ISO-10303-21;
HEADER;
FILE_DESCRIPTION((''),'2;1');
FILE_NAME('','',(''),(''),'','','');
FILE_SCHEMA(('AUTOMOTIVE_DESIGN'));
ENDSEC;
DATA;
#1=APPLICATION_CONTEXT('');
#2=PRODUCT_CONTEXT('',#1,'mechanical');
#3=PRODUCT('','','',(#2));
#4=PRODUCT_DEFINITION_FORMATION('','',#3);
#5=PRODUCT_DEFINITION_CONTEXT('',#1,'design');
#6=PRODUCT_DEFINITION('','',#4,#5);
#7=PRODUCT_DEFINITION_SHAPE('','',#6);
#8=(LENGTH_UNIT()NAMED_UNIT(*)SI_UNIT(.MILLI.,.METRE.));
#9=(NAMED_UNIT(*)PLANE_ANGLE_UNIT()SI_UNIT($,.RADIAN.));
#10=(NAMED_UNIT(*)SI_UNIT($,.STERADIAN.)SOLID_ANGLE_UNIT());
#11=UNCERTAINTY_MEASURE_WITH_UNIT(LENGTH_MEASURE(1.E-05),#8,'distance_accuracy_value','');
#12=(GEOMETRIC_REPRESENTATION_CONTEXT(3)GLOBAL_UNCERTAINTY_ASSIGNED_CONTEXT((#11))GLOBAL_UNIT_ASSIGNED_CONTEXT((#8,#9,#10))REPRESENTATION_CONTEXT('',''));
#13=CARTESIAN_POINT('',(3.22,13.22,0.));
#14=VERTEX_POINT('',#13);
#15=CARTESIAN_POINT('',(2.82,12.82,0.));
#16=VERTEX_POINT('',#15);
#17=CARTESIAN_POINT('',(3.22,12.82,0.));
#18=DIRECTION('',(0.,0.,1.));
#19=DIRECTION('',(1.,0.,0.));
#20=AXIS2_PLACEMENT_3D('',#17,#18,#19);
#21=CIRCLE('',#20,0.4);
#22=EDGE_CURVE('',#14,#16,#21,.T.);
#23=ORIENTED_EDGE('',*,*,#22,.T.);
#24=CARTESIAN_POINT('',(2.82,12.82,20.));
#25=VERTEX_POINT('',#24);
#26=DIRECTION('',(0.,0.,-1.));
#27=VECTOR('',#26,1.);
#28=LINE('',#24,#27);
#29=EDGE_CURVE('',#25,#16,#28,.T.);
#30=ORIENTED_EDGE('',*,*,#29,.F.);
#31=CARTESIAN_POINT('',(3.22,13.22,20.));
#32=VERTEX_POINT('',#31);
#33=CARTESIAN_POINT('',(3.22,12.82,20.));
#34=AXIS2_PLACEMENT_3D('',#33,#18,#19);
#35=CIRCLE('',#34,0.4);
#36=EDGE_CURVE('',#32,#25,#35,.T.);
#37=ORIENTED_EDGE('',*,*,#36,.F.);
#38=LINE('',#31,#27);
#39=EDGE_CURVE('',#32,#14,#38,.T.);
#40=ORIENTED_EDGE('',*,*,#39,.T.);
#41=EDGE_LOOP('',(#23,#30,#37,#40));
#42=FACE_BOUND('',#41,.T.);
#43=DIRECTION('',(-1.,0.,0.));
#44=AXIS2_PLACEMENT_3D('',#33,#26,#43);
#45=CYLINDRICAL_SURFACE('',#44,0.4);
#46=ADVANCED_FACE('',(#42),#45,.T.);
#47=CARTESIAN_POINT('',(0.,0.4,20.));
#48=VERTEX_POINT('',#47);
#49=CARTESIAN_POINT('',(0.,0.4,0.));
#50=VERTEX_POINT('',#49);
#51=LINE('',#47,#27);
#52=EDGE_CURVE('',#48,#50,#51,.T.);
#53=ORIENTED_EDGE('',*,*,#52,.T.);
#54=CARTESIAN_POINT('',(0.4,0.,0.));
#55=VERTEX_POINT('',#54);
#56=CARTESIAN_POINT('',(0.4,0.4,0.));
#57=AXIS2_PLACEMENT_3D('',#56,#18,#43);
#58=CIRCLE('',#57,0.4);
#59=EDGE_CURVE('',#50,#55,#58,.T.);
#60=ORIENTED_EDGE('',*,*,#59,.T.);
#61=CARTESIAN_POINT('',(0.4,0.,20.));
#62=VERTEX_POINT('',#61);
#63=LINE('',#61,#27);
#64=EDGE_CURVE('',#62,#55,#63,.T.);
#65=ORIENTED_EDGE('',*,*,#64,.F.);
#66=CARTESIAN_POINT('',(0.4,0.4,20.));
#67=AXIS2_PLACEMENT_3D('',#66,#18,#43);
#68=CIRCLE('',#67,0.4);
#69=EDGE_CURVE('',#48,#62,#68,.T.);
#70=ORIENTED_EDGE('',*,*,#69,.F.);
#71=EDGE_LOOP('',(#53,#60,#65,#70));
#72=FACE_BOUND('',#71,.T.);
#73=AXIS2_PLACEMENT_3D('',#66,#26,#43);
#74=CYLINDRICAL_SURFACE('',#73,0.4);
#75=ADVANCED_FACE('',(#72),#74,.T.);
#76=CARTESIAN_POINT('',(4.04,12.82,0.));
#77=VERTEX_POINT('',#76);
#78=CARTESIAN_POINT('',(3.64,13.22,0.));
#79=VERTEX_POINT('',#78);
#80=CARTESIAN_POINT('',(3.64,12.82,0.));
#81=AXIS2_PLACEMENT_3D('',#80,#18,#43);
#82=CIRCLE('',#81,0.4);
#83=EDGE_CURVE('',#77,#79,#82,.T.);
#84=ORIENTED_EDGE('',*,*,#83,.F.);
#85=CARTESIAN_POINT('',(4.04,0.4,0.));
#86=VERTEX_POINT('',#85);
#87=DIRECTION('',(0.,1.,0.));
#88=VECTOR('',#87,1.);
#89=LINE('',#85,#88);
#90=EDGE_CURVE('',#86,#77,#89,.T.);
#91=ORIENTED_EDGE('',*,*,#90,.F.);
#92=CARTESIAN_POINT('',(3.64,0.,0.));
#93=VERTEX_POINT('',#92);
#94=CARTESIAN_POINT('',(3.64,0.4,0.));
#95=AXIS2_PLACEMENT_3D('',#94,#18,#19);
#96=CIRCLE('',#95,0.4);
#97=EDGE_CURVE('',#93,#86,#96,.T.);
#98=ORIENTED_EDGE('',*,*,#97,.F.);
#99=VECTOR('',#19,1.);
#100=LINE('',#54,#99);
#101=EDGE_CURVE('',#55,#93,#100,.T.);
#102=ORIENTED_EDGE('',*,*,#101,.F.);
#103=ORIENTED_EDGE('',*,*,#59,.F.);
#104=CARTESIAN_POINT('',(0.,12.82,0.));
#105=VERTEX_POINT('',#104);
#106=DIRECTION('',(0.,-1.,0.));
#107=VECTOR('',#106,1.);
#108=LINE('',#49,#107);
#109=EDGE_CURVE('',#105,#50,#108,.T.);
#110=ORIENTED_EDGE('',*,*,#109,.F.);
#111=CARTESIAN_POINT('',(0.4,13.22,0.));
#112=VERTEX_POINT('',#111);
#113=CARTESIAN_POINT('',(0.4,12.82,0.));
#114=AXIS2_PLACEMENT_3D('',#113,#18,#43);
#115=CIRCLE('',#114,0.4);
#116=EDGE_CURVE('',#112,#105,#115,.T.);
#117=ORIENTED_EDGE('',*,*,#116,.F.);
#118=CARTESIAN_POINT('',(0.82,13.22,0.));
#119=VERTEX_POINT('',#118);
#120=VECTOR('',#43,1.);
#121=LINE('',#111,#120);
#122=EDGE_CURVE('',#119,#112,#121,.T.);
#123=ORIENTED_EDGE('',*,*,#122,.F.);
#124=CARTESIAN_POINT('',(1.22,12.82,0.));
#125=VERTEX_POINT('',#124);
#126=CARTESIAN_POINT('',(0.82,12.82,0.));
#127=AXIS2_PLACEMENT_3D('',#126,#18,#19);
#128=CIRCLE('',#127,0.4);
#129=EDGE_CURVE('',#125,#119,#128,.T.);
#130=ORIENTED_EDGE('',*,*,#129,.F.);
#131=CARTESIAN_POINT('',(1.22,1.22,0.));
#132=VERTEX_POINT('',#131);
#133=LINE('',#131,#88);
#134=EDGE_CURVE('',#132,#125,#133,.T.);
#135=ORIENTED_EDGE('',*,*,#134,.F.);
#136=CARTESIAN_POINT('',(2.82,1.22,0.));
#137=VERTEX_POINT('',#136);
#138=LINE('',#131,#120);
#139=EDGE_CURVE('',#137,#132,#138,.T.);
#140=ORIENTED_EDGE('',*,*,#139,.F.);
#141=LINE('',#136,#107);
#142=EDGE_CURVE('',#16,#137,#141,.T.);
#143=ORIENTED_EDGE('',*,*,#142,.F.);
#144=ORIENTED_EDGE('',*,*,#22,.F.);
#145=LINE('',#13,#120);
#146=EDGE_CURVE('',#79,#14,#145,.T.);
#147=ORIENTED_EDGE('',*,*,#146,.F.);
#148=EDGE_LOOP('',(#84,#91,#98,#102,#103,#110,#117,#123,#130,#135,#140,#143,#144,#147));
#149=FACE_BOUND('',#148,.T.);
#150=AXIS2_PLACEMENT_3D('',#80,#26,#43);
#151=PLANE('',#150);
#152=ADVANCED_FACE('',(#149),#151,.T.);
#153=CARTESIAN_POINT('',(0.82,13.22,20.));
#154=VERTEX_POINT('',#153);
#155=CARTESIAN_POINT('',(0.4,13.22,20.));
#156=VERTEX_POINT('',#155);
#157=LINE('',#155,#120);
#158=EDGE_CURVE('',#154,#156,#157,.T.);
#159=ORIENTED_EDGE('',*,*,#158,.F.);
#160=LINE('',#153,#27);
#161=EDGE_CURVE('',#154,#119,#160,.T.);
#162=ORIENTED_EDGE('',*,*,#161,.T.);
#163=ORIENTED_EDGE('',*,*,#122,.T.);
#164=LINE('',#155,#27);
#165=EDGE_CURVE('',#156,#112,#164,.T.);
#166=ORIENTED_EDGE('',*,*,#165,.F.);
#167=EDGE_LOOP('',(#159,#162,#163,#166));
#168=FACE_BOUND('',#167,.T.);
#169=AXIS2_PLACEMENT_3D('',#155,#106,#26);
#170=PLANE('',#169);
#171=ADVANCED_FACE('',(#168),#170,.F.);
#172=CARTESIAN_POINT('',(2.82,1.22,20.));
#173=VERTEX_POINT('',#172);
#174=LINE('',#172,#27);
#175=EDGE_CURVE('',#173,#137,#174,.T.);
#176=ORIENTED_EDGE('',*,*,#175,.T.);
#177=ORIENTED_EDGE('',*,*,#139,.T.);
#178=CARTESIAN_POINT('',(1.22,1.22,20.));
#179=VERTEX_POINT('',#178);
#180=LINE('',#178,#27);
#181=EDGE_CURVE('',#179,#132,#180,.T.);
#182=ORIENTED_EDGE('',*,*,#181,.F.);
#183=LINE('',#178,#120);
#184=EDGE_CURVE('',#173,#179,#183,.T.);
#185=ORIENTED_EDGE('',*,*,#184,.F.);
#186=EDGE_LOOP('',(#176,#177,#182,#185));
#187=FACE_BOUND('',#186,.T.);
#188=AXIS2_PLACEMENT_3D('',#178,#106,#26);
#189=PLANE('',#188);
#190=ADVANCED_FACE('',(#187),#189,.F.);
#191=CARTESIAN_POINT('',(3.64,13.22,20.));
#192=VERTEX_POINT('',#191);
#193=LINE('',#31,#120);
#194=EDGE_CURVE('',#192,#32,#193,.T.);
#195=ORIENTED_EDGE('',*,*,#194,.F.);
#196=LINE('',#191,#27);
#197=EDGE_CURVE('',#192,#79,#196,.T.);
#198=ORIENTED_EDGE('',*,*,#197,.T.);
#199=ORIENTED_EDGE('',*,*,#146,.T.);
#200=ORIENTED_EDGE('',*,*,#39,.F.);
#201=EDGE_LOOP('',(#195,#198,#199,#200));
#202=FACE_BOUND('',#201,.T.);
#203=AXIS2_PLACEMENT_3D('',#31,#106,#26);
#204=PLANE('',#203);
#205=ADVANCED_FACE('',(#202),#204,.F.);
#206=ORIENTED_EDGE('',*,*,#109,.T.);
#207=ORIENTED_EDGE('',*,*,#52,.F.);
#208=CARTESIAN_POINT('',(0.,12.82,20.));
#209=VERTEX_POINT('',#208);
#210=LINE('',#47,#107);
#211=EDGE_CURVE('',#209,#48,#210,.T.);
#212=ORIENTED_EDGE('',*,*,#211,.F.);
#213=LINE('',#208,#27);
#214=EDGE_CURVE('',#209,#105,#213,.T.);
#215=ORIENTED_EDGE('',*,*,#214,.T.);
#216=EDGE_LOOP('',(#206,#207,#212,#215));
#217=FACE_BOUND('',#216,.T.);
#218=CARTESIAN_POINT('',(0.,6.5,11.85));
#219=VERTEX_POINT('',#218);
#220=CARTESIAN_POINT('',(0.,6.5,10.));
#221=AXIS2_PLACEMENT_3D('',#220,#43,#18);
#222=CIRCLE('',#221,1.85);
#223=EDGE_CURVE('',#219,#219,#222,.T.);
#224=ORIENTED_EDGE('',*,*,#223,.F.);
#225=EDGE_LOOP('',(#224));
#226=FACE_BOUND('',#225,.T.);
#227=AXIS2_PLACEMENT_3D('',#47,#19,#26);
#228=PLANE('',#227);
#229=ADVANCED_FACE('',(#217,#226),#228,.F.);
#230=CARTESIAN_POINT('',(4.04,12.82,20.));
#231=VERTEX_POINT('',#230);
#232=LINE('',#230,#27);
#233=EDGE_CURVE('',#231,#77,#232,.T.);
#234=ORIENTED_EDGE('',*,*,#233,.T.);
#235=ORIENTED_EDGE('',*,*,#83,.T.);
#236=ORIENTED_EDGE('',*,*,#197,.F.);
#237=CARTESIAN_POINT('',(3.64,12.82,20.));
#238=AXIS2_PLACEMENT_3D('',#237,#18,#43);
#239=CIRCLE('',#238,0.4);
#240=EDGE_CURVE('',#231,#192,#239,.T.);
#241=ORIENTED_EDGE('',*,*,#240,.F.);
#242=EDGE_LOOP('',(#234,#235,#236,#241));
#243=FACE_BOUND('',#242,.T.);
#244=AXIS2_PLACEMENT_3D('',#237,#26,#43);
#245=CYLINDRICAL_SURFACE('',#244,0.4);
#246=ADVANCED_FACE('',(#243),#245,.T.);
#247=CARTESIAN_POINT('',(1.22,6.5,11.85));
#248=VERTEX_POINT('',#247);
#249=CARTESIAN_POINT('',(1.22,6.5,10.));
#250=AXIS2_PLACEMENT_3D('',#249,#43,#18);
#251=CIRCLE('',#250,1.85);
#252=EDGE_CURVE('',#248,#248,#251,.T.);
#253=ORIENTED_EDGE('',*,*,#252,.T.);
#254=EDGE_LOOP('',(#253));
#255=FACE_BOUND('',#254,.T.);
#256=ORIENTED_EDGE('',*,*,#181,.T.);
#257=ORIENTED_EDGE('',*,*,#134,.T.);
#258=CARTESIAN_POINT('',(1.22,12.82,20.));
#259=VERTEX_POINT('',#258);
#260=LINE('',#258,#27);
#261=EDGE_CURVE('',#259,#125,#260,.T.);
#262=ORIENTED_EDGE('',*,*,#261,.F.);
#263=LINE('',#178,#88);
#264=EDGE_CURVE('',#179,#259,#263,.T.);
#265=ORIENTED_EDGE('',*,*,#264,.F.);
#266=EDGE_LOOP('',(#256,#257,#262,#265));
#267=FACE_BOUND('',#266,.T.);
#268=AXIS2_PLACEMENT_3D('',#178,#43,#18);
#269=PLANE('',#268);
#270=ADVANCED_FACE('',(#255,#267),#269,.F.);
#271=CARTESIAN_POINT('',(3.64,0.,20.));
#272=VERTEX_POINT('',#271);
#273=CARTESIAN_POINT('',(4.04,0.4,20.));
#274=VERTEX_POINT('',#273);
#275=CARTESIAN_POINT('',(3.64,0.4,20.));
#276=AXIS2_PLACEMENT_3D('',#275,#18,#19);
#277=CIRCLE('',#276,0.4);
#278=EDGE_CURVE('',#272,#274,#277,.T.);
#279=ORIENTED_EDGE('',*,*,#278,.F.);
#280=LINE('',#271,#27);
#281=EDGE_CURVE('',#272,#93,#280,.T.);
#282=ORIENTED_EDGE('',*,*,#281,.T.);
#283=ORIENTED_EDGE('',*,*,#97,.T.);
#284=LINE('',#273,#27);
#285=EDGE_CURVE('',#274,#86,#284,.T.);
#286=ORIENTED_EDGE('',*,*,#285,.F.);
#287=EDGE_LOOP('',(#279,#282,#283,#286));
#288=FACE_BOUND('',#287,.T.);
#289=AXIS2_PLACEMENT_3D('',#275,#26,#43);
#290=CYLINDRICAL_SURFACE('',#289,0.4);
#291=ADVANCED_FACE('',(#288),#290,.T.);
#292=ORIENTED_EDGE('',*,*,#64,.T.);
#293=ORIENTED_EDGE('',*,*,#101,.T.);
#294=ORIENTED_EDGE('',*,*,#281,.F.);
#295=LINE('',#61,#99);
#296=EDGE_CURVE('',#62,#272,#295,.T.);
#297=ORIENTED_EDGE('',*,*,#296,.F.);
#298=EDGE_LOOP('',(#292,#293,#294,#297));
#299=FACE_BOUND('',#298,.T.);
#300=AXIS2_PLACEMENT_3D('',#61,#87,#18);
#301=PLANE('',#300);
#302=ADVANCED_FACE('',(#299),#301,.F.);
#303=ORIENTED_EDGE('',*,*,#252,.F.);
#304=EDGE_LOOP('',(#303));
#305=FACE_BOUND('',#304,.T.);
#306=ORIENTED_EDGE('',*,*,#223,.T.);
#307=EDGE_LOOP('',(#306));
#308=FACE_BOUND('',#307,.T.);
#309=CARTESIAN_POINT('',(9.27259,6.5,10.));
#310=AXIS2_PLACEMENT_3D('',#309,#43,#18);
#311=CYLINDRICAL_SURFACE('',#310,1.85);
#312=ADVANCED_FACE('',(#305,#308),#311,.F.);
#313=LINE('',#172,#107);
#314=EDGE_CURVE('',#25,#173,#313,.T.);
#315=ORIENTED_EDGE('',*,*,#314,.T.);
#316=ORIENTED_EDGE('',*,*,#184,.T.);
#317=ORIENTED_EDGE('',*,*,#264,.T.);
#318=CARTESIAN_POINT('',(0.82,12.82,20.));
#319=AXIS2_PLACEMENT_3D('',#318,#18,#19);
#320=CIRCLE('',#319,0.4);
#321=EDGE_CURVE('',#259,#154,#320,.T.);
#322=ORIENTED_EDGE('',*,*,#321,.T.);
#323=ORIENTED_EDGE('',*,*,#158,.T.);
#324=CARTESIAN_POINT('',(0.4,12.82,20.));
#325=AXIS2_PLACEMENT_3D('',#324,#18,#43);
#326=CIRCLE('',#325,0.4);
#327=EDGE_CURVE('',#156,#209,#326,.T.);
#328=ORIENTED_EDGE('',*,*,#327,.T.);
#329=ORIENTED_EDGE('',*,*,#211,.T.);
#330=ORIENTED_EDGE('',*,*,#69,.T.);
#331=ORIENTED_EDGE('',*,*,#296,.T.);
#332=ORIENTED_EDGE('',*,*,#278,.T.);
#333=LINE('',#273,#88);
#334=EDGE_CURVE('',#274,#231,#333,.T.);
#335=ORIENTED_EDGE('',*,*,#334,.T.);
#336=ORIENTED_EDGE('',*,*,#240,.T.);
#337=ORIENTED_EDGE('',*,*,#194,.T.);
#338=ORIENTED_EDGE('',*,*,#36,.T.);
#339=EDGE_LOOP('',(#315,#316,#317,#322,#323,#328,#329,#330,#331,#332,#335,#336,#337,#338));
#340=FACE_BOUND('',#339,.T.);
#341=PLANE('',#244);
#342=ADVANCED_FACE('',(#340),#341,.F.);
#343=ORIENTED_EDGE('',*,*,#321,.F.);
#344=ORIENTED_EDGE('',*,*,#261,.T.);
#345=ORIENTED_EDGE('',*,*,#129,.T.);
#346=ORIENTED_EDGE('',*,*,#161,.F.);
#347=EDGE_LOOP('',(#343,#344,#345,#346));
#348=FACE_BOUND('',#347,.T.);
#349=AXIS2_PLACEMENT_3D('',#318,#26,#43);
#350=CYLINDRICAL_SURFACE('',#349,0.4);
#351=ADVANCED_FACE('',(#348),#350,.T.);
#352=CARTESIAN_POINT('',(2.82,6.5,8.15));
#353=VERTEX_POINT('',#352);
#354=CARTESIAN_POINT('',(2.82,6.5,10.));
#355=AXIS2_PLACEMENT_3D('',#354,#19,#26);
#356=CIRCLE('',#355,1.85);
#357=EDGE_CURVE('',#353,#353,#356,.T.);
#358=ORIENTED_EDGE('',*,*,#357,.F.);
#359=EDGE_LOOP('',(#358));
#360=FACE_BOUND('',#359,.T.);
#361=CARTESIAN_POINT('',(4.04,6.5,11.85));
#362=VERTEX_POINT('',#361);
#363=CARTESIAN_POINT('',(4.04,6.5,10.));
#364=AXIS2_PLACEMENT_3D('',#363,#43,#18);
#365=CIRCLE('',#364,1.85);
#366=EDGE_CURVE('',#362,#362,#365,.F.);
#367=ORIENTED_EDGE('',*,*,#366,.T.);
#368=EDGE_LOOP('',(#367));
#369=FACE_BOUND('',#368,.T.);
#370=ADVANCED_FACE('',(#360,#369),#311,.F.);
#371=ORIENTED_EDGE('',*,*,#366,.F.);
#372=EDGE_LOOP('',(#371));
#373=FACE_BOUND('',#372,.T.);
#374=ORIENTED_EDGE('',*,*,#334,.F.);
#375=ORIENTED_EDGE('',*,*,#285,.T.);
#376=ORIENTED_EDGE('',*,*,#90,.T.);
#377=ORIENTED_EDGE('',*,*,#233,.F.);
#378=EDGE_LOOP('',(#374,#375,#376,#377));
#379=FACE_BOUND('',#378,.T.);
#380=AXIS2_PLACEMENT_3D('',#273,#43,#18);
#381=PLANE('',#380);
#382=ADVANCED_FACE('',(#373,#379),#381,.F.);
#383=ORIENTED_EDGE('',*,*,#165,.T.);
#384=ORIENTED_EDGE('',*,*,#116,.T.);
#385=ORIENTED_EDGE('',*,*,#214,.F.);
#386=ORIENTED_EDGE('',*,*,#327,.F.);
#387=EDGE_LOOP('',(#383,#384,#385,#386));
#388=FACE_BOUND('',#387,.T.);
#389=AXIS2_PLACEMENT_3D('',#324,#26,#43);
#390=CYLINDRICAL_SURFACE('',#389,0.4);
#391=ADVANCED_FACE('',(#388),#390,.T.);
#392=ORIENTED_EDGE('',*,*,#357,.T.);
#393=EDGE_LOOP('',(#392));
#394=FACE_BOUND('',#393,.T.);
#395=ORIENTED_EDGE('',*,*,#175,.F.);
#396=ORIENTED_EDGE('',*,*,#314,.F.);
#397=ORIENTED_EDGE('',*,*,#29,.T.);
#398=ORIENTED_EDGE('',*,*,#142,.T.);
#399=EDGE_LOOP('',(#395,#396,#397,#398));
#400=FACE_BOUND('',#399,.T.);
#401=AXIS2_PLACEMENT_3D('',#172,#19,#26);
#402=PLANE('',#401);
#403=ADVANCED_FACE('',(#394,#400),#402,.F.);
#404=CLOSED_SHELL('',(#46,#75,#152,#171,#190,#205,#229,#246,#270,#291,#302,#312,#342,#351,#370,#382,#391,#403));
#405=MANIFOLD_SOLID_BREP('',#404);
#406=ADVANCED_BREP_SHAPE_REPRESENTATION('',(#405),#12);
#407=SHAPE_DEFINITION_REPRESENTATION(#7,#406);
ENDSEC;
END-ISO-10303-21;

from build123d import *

# Parameters (mm, degrees)
BOSS_EXTRUDE1_DEPTH = 20
CUT_EXTRUDE1_REACH  = 26.312
SKETCH2_R           = 1.85


with BuildPart() as part:
    # Sketch1 → Boss-Extrude1 (new body)
    with BuildSketch(Plane.XY):
        with BuildLine():
            Line((3.22, 13.22), (3.64, 13.22))
            ThreePointArc((3.64, 13.22), (3.922842712, 13.102842712), (4.04, 12.82))
            Line((4.04, 12.82), (4.04, 0.4))
            ThreePointArc((4.04, 0.4), (3.922842712, 0.117157288), (3.64, 0))
            Line((3.64, 0), (0.4, 0))
            ThreePointArc((0.4, 0), (0.117157288, 0.117157288), (0, 0.4))
            Line((0, 0.4), (0, 12.82))
            ThreePointArc((0, 12.82), (0.117157288, 13.102842712), (0.4, 13.22))
            Line((0.4, 13.22), (0.82, 13.22))
            ThreePointArc((0.82, 13.22), (1.102842712, 13.102842712), (1.22, 12.82))
            Line((1.22, 12.82), (1.22, 1.22))
            Line((1.22, 1.22), (2.82, 1.22))
            Line((2.82, 1.22), (2.82, 12.82))
            ThreePointArc((2.82, 12.82), (2.937157288, 13.102842712), (3.22, 13.22))
        make_face()
    extrude(amount=BOSS_EXTRUDE1_DEPTH)

    # Cut-Extrude1: up to this face of the body (flat: up to its plane)
    cut_extrude1_end = Plane(part.part.faces().sort_by_distance((4.04, 6.61, 10))[0])
    # Sketch2 → Cut-Extrude1 (cut, up to the picked face)
    with BuildSketch(Plane.ZY, mode=Mode.PRIVATE) as cut_extrude1_sk1:
        with Locations((10, 6.5)):
            Circle(SKETCH2_R)
    cut_extrude1_tool1 = split(extrude(cut_extrude1_sk1.sketch, amount=-CUT_EXTRUDE1_REACH, mode=Mode.PRIVATE), bisect_by=cut_extrude1_end, keep=Keep.BOTH, mode=Mode.PRIVATE)
    add(cut_extrude1_tool1.solids().sort_by(Axis((0, 6.5, 10), (1, 0, 0)))[0], mode=Mode.SUBTRACT)


solid = part.part
